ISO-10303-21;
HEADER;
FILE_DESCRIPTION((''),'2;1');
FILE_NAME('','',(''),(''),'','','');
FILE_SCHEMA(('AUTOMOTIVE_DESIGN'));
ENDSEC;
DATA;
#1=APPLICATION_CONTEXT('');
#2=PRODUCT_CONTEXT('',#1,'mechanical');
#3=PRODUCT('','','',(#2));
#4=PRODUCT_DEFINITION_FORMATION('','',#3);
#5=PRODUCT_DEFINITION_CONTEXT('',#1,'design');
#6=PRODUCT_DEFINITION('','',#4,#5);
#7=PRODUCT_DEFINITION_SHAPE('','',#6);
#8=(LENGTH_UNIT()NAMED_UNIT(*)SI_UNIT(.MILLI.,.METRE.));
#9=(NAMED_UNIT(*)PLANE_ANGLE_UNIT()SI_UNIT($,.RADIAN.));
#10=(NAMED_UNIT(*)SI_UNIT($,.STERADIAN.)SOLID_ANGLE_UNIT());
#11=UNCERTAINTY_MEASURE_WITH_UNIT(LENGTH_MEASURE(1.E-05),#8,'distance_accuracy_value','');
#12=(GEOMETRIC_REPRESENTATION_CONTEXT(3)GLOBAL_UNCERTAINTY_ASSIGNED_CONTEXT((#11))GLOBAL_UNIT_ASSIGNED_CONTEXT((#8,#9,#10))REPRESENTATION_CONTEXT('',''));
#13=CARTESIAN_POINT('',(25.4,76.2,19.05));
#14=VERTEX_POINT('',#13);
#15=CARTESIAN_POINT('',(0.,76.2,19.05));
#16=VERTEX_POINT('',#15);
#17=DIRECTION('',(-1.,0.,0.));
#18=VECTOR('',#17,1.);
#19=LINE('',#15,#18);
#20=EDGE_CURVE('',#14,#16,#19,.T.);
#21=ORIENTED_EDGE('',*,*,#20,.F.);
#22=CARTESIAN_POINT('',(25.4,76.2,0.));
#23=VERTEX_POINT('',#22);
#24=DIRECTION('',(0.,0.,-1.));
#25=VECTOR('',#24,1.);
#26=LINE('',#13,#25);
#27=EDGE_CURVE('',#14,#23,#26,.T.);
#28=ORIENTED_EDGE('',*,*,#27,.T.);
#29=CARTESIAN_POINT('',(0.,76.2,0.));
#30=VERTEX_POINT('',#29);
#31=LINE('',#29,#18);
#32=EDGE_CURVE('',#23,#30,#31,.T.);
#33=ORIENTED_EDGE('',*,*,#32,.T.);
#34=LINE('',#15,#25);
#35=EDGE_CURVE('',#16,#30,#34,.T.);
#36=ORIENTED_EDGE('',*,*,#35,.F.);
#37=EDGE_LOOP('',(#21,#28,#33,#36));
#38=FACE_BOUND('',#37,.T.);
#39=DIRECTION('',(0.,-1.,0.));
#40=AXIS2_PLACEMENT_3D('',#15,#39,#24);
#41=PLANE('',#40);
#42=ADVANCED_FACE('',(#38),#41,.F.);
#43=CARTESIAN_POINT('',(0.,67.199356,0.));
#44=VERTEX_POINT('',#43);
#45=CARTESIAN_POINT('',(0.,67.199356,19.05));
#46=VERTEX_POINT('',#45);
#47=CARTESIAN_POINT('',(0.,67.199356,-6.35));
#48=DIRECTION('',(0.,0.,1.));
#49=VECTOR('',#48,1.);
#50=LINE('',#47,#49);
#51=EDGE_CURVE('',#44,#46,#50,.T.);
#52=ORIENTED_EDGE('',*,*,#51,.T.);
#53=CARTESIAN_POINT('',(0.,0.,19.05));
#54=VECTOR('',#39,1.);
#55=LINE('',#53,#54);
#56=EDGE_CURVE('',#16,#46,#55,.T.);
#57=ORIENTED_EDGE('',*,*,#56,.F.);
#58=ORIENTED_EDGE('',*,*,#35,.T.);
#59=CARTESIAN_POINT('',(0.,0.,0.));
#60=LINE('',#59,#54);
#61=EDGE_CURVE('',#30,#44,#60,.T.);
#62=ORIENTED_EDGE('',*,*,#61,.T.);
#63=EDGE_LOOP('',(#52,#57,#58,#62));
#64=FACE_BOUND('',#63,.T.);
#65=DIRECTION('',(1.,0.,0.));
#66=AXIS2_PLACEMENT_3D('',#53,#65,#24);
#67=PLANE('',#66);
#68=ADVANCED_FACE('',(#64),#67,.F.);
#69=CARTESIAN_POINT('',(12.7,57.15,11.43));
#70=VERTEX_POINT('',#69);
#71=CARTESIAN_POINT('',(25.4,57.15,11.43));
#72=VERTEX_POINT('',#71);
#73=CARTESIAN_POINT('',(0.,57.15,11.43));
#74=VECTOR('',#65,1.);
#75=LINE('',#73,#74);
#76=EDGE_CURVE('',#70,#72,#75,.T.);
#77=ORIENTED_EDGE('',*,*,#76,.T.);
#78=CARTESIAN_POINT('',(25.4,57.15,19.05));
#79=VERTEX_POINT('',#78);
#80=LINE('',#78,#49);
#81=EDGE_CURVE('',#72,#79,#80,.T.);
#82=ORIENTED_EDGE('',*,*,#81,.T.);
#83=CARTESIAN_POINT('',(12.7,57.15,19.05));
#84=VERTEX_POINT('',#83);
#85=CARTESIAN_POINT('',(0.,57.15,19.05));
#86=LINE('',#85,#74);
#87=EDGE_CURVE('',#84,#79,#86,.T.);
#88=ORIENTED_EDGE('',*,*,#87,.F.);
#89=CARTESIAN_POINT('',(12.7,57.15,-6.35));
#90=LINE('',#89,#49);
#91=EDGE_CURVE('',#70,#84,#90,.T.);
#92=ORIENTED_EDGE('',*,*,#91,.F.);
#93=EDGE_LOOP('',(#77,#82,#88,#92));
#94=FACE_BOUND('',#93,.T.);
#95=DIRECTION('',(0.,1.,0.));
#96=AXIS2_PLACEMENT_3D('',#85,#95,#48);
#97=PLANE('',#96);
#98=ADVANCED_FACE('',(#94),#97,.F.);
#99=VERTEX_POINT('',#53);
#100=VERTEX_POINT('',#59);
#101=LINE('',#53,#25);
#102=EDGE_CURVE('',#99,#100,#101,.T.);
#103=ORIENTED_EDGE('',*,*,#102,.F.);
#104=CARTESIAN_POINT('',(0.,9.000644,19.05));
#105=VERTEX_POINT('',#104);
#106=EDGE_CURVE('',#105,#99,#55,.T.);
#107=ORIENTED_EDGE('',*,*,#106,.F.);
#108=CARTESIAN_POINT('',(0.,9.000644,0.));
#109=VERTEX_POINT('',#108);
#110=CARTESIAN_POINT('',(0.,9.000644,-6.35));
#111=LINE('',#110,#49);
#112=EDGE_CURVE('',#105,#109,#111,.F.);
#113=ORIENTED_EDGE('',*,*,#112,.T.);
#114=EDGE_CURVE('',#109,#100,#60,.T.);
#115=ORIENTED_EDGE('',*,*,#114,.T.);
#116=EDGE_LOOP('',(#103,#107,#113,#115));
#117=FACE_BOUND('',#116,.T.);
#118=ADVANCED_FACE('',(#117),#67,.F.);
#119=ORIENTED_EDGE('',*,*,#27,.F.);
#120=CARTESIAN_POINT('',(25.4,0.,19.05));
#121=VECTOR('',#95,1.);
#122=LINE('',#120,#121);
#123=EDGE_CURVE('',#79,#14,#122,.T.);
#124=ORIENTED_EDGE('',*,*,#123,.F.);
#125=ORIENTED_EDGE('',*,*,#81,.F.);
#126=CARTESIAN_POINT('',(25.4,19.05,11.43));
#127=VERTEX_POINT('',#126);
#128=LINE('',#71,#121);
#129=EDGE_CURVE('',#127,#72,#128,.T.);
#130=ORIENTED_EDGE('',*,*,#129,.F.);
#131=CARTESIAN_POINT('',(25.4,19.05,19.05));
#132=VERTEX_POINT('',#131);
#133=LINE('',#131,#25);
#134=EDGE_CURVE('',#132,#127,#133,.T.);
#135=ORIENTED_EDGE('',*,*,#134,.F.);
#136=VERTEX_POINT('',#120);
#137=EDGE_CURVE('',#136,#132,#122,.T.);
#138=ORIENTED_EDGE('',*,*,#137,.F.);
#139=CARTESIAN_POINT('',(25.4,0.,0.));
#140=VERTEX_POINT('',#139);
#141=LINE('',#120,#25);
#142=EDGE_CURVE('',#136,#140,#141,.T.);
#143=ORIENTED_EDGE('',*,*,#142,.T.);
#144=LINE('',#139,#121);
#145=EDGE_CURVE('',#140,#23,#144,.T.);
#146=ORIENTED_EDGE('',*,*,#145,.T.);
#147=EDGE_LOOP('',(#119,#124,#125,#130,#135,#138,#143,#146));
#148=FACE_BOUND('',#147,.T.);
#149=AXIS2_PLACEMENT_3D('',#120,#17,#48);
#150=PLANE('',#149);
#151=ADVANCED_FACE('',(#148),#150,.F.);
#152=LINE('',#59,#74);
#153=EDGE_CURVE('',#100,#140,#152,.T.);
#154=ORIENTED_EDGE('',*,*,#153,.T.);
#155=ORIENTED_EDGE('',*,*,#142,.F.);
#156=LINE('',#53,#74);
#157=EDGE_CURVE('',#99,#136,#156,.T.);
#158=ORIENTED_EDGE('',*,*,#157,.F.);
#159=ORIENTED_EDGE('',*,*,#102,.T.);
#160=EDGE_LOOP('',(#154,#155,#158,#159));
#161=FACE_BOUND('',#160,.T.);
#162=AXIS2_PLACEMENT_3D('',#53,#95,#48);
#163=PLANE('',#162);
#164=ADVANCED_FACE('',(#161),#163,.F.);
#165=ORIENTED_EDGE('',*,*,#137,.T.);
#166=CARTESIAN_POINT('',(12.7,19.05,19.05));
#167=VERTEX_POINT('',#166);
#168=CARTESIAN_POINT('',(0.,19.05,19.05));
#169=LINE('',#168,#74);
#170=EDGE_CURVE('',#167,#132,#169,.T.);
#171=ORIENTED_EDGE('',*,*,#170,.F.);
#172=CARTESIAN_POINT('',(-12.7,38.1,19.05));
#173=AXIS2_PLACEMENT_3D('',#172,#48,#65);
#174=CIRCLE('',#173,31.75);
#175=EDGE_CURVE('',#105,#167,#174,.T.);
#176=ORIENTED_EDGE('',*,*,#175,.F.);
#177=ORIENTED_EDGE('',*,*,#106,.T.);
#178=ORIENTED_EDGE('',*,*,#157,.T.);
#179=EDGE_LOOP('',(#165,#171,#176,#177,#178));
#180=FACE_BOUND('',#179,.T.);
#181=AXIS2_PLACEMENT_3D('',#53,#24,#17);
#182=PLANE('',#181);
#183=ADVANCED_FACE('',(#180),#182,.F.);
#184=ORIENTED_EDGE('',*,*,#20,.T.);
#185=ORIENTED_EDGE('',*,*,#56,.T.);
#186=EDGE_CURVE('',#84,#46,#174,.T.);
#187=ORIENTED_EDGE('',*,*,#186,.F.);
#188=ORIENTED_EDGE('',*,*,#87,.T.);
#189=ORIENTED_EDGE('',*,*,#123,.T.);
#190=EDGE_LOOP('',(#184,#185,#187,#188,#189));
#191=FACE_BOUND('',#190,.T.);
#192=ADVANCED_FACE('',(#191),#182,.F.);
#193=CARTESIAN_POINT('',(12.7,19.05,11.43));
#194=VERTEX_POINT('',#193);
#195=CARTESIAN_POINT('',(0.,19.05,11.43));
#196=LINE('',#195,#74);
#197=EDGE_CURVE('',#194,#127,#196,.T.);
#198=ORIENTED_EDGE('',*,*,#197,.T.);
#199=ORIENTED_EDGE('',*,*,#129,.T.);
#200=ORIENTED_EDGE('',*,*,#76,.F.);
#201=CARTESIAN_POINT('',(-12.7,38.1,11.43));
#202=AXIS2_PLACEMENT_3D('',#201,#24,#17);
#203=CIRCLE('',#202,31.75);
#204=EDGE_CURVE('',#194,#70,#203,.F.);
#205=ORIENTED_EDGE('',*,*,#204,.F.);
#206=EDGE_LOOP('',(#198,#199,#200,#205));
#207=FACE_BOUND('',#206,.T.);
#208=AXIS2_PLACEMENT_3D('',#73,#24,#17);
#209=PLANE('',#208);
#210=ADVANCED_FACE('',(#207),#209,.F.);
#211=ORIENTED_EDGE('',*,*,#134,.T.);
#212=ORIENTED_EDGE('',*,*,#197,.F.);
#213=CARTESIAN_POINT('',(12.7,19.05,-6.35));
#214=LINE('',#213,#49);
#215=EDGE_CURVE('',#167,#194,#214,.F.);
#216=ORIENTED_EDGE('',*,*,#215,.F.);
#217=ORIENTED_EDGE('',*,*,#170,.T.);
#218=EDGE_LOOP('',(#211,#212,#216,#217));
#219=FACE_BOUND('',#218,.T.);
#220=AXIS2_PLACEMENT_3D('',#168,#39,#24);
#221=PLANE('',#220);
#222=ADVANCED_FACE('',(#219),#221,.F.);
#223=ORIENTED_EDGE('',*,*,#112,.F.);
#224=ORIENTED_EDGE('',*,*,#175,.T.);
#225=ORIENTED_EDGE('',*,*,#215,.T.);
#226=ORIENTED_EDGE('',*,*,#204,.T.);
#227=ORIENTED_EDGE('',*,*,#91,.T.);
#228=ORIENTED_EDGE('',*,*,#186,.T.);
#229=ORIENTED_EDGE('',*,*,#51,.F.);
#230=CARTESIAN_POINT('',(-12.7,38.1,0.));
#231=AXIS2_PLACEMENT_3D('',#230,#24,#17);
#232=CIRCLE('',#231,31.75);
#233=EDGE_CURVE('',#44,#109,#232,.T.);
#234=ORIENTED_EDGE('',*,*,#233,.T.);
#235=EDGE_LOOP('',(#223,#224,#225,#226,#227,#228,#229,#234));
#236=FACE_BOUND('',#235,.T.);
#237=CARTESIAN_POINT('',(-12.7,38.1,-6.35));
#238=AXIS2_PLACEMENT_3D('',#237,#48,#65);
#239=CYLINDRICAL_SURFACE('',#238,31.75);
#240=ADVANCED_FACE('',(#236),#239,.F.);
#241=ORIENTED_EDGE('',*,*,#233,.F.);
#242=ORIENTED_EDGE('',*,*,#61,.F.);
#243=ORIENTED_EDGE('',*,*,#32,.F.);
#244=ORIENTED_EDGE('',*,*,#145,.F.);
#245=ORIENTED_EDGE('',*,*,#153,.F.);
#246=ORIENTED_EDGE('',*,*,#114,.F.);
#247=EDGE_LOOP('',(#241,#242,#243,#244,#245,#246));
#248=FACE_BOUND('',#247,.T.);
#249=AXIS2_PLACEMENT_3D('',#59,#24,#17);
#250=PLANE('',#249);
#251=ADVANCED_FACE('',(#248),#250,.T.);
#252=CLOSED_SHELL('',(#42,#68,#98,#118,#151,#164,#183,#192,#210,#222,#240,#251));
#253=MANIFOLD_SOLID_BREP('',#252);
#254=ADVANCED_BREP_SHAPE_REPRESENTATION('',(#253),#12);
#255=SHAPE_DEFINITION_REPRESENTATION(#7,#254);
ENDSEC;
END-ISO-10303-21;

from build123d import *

# Parameters (mm, degrees)
SKETCH1_W           = 25.4
SKETCH1_H           = 76.2
BOSS_EXTRUDE1_DEPTH = 19.05
SKETCH2_R           = 31.75
CUT_EXTRUDE1_DEPTH  = 25.4
SKETCH4_W           = 7.62
SKETCH4_H           = 38.1
CUT_EXTRUDE3_DEPTH  = 26.4


with BuildPart() as part:
    # Sketch1 → Boss-Extrude1 (new body)
    with BuildSketch(Plane.XY):
        with Locations((12.7, 38.1)):
            Rectangle(SKETCH1_W, SKETCH1_H)
    extrude(amount=BOSS_EXTRUDE1_DEPTH)

    # Sketch2 → Cut-Extrude1 (cut)
    with BuildSketch(Plane.XY.offset(19.05)):
        with Locations((-12.7, 38.1)):
            Circle(SKETCH2_R)
    extrude(amount=-CUT_EXTRUDE1_DEPTH, mode=Mode.SUBTRACT)

    # Sketch4 → Cut-Extrude3 (cut, through all)
    with BuildSketch(Plane(origin=(25.4, 0, 0), x_dir=(0, 0, -1), z_dir=(1, 0, 0))):
        with Locations((-15.24, 38.1)):
            Rectangle(SKETCH4_W, SKETCH4_H)
    extrude(amount=-CUT_EXTRUDE3_DEPTH, mode=Mode.SUBTRACT)


solid = part.part
